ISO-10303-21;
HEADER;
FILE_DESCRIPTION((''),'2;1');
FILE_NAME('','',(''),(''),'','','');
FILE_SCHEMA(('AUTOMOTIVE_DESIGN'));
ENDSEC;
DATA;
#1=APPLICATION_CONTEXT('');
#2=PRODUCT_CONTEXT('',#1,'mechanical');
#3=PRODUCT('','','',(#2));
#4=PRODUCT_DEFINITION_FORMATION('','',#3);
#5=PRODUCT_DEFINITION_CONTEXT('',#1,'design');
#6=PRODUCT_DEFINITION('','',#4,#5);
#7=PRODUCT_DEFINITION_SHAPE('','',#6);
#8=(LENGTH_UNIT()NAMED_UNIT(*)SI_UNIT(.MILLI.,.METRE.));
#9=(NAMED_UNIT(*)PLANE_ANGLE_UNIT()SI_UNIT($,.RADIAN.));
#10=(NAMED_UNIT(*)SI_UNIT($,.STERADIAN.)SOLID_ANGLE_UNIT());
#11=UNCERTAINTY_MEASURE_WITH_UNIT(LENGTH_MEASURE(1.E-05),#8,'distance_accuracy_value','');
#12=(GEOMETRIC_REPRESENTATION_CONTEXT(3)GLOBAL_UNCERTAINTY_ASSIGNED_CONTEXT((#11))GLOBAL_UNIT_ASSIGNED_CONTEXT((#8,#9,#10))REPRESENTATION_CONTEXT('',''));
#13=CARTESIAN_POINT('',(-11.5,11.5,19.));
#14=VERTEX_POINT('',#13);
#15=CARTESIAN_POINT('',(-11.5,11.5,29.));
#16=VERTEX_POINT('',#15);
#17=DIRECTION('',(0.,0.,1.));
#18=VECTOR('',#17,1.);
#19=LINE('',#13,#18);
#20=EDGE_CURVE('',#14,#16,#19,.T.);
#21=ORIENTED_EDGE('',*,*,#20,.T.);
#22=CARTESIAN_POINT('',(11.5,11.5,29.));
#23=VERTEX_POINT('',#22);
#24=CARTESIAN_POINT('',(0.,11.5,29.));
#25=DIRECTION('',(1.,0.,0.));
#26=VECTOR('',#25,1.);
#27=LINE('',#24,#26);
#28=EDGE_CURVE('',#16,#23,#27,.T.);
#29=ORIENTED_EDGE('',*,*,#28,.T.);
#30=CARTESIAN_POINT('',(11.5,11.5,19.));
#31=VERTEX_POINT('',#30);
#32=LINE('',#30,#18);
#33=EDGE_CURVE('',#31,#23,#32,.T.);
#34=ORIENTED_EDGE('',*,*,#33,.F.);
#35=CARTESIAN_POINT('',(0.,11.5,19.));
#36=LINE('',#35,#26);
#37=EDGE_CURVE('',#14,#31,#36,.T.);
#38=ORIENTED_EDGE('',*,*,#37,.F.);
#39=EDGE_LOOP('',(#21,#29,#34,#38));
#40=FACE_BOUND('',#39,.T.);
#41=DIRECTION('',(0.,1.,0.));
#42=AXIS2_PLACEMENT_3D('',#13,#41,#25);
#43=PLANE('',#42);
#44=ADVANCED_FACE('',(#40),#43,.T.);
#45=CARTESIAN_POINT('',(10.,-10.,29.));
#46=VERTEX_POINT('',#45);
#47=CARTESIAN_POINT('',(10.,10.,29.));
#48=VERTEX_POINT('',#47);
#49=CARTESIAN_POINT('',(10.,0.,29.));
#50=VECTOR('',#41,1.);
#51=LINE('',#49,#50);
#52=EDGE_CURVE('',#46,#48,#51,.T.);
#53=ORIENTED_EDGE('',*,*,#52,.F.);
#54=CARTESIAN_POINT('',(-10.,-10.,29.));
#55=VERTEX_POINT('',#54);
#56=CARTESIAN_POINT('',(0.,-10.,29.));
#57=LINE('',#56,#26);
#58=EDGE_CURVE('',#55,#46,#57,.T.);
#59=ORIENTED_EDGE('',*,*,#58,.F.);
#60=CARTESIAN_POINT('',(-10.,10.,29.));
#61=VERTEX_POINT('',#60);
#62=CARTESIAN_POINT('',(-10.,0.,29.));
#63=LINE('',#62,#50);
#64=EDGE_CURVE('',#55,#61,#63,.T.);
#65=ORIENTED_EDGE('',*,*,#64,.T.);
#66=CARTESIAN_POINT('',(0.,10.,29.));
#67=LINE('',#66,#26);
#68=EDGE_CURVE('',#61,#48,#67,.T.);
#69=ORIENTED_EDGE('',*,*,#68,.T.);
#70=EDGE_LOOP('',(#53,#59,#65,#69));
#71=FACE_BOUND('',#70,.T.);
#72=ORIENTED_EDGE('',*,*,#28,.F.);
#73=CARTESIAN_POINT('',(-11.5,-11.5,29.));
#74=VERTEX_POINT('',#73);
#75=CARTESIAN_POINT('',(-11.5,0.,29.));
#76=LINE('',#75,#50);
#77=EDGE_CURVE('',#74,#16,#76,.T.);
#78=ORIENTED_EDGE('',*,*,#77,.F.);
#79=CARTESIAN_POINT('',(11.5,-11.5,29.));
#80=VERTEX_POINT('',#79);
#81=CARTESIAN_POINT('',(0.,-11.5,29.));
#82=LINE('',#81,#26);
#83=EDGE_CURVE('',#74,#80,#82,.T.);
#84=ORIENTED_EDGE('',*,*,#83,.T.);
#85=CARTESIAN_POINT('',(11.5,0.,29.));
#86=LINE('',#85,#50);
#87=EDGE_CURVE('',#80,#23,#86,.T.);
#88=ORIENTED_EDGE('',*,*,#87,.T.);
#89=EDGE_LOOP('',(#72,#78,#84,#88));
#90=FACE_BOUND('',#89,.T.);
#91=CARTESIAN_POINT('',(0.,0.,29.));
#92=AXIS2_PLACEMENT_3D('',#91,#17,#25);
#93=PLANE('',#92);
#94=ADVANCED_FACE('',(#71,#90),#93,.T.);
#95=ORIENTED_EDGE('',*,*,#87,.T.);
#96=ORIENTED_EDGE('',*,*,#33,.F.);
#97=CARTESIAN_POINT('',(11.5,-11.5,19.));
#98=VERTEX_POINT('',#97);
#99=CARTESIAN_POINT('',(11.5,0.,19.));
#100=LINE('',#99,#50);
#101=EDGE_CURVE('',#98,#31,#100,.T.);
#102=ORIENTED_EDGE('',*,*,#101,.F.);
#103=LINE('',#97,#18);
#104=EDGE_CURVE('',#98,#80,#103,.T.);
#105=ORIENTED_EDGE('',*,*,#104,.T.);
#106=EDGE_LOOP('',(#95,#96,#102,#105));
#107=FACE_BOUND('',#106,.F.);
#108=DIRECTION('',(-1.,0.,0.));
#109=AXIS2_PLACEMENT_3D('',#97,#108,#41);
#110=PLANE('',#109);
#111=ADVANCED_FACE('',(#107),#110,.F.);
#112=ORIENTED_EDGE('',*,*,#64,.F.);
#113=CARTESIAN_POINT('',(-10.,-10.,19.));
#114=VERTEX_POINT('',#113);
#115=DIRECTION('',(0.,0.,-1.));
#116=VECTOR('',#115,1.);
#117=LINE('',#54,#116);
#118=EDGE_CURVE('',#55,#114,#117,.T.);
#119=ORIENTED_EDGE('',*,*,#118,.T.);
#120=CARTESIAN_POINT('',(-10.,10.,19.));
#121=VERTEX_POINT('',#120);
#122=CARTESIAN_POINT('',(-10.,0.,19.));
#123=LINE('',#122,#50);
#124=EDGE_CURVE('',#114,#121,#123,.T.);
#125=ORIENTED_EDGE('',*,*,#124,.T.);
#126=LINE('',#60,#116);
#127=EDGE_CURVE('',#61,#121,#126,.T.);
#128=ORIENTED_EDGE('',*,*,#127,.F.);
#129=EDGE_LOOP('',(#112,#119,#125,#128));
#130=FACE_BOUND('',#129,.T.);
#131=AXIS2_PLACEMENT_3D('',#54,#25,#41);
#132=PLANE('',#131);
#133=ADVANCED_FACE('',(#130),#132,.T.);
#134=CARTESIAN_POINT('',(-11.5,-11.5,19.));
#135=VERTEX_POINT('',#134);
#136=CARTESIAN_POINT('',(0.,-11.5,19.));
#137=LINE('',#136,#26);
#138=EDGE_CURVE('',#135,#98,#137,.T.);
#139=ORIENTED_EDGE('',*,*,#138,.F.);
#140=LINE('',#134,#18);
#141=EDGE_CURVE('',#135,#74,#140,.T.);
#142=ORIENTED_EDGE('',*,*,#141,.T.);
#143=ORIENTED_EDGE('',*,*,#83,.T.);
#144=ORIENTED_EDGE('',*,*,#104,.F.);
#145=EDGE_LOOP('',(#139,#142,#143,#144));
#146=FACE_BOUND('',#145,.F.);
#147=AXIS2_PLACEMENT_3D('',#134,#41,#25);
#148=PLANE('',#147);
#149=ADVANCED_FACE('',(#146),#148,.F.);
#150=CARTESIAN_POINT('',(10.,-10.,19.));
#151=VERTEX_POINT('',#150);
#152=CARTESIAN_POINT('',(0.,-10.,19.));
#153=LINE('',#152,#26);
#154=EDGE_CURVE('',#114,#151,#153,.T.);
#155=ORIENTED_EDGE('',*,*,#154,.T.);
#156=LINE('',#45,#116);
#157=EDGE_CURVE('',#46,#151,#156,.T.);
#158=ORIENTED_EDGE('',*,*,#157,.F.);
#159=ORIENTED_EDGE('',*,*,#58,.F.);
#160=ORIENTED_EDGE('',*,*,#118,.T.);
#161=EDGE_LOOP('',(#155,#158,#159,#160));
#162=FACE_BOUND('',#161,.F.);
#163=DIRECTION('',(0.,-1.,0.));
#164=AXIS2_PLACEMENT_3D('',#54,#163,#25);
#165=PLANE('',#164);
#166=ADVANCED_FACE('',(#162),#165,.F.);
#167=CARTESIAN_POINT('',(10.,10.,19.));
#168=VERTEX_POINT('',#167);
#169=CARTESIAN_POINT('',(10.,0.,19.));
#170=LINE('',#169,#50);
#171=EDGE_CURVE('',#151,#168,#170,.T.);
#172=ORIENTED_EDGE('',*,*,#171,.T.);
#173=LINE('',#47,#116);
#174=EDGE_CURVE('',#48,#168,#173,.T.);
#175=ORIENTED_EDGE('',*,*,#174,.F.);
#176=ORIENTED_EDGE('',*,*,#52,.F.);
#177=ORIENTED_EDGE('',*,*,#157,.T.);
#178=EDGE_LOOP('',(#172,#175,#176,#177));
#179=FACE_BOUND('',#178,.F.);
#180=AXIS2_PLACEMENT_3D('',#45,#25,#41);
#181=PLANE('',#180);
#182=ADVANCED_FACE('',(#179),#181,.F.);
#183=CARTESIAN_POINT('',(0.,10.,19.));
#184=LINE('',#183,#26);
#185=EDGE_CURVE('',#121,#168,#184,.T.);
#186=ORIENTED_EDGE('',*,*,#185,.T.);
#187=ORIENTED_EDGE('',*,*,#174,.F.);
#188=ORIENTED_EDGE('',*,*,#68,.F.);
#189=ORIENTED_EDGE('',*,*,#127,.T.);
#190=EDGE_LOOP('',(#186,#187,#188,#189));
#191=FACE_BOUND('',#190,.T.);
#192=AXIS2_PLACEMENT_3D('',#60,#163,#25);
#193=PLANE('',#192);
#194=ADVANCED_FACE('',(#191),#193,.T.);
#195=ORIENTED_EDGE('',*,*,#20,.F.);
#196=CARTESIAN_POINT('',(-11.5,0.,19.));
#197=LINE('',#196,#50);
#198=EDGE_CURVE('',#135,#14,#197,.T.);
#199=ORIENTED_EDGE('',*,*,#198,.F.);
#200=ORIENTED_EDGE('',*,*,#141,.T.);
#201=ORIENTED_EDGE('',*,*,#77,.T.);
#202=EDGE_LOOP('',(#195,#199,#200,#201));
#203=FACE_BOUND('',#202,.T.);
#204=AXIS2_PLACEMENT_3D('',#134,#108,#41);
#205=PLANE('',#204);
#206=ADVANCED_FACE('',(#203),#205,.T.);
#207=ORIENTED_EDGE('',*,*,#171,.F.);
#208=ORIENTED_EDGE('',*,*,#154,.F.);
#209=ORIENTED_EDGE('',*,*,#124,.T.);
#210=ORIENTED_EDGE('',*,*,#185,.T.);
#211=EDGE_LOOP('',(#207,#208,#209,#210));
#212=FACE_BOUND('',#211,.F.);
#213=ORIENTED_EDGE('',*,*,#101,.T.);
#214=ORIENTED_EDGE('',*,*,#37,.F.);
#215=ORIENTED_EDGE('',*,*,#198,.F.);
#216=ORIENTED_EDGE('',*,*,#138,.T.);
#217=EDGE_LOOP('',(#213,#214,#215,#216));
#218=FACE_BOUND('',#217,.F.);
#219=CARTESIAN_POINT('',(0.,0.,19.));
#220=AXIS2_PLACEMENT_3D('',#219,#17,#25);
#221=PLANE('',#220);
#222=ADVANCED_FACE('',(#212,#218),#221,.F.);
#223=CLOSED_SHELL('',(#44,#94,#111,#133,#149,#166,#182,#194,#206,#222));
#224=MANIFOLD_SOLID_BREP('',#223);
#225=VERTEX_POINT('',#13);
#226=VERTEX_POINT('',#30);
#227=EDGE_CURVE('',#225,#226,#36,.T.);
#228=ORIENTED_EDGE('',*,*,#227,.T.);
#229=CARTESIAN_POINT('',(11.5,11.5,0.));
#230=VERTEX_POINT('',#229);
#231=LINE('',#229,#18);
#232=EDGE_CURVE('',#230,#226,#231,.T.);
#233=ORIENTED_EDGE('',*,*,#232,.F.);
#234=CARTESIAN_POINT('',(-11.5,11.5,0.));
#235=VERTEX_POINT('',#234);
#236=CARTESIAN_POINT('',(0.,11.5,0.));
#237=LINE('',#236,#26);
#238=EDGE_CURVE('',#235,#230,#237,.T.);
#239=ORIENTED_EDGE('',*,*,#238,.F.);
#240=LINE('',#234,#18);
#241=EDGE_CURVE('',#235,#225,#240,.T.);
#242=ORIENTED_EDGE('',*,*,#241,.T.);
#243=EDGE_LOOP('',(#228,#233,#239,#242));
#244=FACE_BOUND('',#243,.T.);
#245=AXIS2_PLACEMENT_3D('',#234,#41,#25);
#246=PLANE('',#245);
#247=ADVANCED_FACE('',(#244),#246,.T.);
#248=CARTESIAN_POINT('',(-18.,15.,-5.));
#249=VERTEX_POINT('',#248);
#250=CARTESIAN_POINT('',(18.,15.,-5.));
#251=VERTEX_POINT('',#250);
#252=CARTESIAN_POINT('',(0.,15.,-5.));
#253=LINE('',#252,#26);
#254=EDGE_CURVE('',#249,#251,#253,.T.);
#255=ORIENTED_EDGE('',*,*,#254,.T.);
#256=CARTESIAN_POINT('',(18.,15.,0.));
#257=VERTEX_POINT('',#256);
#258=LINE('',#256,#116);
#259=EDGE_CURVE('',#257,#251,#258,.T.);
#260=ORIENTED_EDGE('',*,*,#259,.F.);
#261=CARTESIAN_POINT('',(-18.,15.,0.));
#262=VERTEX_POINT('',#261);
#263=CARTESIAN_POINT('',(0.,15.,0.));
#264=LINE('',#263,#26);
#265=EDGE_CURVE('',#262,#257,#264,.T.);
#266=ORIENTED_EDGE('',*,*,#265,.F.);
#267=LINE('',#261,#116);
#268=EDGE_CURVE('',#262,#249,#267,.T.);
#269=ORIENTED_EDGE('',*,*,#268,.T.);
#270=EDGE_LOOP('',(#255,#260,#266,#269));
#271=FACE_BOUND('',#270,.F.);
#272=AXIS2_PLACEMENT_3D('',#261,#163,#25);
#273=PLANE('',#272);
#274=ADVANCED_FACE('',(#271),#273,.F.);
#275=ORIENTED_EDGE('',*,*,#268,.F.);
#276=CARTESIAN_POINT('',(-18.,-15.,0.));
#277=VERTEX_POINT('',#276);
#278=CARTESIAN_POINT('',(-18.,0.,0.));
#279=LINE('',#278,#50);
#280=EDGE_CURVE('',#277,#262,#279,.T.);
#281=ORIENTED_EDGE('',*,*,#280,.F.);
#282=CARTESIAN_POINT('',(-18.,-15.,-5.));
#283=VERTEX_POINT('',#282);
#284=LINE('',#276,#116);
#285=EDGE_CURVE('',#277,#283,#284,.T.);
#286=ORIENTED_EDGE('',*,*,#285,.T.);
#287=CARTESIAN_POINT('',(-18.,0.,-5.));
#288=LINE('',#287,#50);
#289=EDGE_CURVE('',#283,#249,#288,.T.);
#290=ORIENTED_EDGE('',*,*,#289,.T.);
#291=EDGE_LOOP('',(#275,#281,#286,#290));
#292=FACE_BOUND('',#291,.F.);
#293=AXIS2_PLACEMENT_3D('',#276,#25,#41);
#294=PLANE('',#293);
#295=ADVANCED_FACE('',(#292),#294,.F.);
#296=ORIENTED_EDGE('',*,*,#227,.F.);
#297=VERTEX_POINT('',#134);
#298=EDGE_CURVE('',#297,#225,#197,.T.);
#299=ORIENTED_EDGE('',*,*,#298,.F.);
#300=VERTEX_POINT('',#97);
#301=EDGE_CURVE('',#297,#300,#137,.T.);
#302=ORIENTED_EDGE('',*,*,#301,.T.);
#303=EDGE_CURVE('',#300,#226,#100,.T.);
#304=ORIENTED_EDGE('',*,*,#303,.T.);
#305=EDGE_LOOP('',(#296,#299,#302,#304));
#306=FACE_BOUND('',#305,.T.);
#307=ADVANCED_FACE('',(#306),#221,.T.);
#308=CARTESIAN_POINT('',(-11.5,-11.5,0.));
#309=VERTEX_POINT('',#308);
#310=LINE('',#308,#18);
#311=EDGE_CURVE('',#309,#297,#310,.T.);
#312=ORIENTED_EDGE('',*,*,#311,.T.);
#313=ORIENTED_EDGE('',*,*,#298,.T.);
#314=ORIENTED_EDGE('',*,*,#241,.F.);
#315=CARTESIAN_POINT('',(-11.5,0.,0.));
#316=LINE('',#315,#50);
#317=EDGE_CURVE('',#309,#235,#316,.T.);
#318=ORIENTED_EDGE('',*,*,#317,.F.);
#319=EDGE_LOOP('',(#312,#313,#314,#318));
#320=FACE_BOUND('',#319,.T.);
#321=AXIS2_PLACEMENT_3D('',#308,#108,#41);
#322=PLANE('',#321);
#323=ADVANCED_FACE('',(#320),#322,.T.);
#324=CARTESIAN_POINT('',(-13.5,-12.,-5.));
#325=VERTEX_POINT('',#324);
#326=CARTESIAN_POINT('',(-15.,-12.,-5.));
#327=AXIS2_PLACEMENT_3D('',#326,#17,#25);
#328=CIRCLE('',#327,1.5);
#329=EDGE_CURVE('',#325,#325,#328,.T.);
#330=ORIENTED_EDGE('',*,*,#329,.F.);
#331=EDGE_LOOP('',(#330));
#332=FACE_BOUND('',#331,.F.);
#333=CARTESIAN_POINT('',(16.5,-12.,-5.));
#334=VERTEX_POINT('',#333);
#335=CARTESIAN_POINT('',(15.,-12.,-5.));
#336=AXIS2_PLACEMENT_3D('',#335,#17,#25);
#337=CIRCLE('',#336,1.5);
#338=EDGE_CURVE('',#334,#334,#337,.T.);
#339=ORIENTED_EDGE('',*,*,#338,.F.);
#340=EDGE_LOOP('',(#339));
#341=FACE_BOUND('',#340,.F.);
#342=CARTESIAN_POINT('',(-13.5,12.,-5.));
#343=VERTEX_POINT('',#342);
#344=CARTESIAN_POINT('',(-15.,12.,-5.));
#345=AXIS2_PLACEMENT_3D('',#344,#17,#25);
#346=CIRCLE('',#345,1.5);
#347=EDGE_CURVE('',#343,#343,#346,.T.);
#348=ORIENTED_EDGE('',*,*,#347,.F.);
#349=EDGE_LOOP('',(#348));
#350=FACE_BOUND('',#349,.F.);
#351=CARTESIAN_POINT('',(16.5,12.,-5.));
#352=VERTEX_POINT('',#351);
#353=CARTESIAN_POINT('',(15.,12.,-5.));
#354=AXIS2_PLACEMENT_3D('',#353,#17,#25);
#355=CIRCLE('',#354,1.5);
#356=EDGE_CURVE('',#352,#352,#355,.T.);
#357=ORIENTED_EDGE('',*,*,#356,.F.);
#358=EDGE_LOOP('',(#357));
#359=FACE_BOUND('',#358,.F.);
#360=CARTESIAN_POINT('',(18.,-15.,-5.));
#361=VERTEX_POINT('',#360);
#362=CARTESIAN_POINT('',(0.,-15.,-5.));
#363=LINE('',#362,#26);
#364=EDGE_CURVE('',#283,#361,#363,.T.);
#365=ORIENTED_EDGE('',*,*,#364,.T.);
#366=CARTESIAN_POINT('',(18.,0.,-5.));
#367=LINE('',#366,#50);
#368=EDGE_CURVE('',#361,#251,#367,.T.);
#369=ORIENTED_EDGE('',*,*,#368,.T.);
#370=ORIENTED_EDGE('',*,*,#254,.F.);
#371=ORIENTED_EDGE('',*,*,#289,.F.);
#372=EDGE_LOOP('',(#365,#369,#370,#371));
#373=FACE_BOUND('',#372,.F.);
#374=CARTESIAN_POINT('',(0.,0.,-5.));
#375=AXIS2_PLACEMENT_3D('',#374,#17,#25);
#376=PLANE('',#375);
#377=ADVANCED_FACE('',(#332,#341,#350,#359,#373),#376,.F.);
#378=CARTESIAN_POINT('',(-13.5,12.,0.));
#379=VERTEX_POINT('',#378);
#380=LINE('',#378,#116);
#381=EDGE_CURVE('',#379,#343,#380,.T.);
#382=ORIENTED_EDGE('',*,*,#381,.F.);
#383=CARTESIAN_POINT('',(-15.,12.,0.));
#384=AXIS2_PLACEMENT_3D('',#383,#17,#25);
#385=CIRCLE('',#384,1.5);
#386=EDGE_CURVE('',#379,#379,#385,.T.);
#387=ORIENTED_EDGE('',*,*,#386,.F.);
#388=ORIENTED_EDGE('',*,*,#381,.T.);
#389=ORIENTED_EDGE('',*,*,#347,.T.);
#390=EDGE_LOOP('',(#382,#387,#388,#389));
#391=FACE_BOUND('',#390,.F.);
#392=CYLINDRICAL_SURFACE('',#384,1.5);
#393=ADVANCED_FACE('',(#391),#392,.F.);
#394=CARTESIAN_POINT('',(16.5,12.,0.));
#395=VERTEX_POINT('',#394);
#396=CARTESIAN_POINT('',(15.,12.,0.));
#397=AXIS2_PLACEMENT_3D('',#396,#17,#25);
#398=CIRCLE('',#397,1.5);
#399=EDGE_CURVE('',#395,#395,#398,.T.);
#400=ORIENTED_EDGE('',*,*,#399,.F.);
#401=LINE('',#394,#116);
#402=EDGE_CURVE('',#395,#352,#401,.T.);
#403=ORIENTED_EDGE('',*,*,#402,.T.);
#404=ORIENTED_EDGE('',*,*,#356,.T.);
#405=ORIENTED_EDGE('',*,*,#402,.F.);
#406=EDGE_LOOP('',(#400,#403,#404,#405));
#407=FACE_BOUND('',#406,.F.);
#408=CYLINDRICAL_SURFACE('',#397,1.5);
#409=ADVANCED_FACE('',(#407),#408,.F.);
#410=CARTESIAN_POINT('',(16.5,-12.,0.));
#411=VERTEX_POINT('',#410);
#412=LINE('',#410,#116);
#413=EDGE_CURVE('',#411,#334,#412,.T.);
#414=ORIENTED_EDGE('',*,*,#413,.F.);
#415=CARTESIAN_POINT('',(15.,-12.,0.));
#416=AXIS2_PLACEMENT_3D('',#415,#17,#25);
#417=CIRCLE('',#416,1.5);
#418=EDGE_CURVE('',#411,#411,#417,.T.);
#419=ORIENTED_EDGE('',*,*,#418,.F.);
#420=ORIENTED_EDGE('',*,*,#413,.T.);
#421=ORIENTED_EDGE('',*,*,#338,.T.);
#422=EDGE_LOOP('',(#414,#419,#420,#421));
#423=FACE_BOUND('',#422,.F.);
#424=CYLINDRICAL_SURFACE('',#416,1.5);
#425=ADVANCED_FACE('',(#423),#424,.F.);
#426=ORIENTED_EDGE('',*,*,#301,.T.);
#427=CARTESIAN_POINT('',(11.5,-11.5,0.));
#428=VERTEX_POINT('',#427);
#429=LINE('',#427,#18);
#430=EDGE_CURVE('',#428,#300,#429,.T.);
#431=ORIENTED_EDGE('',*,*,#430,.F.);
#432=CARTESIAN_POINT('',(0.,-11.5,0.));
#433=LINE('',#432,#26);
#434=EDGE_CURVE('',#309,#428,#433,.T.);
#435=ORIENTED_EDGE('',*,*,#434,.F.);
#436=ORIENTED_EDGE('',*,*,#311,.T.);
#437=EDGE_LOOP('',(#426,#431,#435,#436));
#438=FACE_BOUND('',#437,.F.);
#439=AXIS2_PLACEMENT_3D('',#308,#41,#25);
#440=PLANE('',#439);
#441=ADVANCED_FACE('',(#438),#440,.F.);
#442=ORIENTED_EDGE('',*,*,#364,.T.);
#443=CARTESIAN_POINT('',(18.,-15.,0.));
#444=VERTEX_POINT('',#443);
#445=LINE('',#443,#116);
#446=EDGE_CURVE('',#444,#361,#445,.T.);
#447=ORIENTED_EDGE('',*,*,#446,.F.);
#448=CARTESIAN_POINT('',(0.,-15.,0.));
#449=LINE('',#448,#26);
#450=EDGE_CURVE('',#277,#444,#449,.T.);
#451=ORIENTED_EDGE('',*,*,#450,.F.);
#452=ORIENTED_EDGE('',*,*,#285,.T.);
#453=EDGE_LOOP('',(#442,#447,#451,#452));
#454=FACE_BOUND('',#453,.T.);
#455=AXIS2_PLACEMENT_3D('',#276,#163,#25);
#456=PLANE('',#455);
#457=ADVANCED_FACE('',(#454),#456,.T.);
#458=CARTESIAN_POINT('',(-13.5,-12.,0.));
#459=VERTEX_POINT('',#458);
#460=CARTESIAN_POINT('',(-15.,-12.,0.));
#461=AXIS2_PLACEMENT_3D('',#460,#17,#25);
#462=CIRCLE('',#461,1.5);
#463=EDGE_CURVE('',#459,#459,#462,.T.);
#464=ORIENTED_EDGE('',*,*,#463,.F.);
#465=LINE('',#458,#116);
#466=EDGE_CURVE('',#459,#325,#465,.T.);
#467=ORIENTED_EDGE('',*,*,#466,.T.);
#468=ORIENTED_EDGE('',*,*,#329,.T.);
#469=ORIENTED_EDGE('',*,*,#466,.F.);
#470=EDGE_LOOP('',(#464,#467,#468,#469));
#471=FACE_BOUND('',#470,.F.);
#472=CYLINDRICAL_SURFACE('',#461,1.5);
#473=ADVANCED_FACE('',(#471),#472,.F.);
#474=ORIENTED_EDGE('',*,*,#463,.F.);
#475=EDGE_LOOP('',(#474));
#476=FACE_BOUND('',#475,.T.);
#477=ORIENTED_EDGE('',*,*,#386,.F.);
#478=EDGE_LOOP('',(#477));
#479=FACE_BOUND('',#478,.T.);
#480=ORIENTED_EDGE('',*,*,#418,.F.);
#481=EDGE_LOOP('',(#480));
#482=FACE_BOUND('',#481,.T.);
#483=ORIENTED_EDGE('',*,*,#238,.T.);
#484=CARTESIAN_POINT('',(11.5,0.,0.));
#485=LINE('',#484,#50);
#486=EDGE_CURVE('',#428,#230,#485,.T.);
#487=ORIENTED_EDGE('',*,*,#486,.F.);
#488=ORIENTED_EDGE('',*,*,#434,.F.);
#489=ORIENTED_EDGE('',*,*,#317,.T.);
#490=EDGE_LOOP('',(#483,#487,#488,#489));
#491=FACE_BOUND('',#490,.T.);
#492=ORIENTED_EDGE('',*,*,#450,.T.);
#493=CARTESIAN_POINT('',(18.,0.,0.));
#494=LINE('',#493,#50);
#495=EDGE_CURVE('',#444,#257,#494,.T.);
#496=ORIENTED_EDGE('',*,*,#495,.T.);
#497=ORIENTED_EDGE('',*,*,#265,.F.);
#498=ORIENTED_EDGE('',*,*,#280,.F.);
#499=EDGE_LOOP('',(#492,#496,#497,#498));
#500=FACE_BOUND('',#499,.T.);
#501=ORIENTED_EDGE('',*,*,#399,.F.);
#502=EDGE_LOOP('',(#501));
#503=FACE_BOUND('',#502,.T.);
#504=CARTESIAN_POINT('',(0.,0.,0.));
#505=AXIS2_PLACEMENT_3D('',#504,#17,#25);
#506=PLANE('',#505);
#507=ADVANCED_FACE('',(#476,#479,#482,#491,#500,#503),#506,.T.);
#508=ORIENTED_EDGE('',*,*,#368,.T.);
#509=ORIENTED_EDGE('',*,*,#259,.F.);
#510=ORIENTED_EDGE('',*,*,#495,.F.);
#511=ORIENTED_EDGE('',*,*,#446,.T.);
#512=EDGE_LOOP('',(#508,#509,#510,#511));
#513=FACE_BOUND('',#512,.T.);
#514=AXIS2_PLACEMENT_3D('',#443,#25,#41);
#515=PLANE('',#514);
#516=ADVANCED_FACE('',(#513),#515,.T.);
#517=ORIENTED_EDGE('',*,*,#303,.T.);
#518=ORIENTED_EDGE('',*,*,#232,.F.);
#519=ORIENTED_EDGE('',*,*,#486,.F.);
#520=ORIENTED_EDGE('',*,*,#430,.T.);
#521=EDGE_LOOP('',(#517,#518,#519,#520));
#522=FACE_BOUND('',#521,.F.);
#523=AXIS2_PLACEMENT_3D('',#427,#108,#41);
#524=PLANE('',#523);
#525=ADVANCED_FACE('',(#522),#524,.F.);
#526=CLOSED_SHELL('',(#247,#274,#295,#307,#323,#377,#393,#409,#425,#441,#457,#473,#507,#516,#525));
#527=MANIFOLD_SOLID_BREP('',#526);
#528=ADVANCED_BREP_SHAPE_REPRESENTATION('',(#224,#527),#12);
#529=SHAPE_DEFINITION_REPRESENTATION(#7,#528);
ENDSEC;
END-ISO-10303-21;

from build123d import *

# Parameters (mm, degrees)
F0_W     = 36
F0_H     = 30
F1_DEPTH = 5
F2_W     = 23
F2_H     = 23
F3_DEPTH = 19
F4_R     = 1.5
F5_DEPTH = 5
F6_W     = 23
F6_H     = 23
F7_DEPTH = 10
F8_W     = 20
F8_H     = 20
F9_DEPTH = 10


with BuildPart() as f1:
    # F0 (on Top) → F1 (new body)
    with BuildSketch(Plane.XY):
        Rectangle(F0_W, F0_H)
    extrude(amount=-F1_DEPTH)

    # F2 (on Top) → F3 (join)
    with BuildSketch(Plane.XY):
        Rectangle(F2_W, F2_H)
    extrude(amount=F3_DEPTH)

    # F4 (on Top) → F5 (cut)
    with BuildSketch(Plane.XY):
        with Locations((-15, -12)):
            Circle(F4_R)
        with Locations((-15, 12)):
            Circle(F4_R)
        with Locations((15, 12)):
            Circle(F4_R)
        with Locations((15, -12)):
            Circle(F4_R)
    extrude(amount=-F5_DEPTH, mode=Mode.SUBTRACT)


with BuildPart() as f7:
    # F6 (on face) → F7 (new body)
    with BuildSketch(Plane.XY.offset(19)):
        Rectangle(F6_W, F6_H)
    extrude(amount=F7_DEPTH)

    # F8 (on face) → F9 (cut)
    with BuildSketch(Plane.XY.offset(29)):
        Rectangle(F8_W, F8_H)
    extrude(amount=-F9_DEPTH, mode=Mode.SUBTRACT)


solid = Compound([f1.part, f7.part])
